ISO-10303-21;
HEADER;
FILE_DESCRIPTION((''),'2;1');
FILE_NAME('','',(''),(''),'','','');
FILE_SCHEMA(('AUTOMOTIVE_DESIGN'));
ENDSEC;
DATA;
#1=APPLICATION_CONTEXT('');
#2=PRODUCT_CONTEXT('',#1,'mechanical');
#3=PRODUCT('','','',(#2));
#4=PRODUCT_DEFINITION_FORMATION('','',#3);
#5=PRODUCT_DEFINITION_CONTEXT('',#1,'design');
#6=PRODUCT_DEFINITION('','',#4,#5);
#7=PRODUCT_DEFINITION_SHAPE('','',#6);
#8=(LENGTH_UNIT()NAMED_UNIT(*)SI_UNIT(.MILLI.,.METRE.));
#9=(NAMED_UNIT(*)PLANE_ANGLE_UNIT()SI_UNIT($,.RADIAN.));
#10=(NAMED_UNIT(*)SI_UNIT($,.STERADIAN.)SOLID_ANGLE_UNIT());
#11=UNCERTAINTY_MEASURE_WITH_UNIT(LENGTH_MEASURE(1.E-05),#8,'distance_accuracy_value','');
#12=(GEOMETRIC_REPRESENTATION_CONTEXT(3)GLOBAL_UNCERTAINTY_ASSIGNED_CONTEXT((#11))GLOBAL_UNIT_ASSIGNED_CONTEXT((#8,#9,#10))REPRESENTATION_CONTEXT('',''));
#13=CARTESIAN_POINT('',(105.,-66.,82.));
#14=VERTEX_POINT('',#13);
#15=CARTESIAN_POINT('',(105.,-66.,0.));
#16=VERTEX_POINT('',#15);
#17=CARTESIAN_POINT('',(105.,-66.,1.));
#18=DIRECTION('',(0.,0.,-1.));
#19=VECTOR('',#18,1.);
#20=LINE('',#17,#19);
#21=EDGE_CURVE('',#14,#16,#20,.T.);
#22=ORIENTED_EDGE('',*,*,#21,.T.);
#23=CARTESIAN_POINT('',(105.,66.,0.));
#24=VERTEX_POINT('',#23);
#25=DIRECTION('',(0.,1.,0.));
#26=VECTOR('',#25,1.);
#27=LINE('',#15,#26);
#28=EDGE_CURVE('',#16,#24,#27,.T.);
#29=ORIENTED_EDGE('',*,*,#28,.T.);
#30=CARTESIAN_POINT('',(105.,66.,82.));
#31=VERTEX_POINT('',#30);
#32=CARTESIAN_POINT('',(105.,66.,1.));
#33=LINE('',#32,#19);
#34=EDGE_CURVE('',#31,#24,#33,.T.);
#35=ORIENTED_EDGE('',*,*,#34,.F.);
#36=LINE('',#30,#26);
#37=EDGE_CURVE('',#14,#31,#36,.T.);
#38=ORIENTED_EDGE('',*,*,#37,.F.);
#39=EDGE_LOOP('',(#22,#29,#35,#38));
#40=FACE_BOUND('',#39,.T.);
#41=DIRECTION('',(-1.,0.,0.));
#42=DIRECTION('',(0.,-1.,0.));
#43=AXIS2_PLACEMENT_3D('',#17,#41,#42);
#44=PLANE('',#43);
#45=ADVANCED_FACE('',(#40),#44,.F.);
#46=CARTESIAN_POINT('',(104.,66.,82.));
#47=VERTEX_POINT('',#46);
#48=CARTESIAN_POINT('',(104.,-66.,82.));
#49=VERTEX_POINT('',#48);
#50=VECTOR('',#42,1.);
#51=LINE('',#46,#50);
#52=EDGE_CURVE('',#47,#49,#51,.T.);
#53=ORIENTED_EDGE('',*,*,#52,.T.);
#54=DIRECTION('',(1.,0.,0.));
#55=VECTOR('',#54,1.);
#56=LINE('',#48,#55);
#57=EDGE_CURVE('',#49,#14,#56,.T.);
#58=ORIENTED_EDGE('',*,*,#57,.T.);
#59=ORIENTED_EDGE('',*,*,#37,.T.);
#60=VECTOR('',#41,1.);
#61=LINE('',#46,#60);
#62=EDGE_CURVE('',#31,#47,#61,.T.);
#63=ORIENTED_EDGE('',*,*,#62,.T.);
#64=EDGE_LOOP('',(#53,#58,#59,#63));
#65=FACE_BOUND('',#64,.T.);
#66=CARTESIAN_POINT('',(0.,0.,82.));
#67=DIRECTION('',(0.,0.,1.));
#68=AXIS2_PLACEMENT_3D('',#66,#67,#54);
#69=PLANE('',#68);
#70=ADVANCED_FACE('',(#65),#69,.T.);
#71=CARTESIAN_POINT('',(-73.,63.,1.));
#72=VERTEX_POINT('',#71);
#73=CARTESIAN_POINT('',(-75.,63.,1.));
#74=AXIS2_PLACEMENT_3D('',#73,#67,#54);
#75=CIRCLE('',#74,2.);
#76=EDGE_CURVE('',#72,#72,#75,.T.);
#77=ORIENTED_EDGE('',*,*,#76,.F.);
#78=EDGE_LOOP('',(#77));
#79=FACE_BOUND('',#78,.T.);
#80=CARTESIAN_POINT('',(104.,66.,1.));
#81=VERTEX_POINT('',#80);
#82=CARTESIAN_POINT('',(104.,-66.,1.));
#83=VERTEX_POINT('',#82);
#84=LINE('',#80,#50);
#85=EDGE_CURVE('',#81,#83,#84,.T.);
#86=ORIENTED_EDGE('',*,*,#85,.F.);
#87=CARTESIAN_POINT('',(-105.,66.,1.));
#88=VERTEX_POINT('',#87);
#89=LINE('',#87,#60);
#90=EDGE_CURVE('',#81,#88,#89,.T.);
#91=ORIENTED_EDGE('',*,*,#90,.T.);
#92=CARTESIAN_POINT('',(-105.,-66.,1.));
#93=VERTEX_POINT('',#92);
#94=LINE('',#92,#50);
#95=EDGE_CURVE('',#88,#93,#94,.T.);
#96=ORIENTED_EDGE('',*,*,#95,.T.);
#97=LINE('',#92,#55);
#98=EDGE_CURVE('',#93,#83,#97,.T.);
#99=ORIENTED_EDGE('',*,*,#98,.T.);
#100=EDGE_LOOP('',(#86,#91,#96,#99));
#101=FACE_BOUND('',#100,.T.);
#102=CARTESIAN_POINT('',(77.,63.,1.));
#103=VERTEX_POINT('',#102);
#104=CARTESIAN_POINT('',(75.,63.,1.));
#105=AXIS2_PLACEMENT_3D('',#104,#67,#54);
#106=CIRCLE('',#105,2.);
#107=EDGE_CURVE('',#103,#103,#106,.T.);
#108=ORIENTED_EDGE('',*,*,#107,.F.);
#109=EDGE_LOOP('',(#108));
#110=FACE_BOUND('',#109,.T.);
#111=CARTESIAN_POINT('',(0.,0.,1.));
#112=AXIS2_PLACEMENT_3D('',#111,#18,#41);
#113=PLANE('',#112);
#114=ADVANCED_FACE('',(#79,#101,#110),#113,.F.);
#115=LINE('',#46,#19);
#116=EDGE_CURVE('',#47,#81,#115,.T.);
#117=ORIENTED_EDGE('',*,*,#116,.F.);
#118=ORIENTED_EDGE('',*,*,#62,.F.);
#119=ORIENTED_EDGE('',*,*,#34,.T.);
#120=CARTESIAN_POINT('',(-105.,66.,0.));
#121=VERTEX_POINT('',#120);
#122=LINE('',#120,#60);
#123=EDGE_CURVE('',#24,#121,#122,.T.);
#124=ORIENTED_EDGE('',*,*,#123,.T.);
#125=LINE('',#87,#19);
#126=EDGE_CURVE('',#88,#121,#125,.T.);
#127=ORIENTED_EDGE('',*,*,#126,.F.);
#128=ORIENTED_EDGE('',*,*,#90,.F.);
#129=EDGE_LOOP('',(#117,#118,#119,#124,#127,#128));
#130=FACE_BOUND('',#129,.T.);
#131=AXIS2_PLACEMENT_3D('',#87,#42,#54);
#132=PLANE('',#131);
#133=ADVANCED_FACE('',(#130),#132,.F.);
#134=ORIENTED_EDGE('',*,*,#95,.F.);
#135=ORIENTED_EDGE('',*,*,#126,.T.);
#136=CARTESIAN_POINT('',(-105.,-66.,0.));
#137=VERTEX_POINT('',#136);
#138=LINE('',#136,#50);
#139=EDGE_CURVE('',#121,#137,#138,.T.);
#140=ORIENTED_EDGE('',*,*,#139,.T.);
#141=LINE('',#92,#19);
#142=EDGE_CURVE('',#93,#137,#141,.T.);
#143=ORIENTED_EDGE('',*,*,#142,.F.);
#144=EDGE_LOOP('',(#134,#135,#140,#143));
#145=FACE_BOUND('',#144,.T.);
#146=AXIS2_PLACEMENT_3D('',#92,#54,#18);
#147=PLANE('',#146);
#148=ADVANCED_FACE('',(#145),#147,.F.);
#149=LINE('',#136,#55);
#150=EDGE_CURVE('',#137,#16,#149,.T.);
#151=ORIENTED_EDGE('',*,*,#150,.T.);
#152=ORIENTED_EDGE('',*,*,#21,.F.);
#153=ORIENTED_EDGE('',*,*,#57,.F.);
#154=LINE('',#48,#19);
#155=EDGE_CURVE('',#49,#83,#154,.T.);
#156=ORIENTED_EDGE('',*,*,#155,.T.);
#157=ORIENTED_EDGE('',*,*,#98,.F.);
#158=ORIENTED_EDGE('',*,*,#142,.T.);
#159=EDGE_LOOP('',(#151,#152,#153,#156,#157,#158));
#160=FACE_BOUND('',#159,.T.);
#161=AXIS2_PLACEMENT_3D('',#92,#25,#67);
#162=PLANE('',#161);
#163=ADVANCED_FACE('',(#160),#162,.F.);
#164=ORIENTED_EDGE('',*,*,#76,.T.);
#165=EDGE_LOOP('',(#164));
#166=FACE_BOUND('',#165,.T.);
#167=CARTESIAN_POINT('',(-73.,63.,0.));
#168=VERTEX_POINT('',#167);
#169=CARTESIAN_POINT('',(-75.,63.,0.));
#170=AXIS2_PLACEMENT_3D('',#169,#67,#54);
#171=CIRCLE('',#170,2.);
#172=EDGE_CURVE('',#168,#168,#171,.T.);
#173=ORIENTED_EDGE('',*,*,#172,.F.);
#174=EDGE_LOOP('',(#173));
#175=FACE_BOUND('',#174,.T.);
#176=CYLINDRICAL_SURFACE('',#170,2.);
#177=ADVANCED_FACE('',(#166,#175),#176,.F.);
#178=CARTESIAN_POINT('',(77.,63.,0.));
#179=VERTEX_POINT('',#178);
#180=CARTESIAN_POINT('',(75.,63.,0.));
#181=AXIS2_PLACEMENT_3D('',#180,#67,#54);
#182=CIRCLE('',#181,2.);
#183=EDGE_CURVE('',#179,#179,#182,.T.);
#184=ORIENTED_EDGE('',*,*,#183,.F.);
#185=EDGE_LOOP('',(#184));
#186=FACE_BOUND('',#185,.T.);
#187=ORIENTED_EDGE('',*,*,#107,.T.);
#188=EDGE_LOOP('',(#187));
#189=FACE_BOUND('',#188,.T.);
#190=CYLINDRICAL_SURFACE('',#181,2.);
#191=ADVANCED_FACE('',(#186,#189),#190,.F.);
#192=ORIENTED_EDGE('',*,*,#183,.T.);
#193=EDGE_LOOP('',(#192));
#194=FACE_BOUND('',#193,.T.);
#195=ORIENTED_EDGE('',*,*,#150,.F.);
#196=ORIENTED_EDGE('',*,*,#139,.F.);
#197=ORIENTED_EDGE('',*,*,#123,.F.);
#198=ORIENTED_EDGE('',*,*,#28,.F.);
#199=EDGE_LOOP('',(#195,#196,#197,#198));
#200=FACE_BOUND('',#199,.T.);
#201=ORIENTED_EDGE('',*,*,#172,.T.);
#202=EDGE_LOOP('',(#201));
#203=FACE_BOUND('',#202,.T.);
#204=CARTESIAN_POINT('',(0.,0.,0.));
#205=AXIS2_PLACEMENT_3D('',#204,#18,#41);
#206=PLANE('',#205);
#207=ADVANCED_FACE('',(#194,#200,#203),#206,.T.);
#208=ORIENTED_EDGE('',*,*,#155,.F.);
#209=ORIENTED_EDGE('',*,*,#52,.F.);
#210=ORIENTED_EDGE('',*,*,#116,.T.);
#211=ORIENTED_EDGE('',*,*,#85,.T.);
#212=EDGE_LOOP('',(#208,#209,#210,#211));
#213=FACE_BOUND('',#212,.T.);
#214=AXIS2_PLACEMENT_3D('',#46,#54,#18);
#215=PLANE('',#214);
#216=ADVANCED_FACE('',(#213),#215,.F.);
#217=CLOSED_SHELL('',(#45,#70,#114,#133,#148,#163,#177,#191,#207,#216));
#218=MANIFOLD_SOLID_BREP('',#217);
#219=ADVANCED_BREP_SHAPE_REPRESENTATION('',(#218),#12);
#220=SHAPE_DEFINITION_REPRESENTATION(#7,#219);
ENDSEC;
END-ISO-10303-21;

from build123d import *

# Parameters (mm, degrees)
SKETCH_1_W          = 210
SKETCH_1_H          = 132
EXTRUDE_1_DEPTH     = 1
SKETCH_3_W          = 1
SKETCH_3_H          = 132
EXTRUDE_2_DEPTH     = 81
SKETCH_2_R          = 2
CUT_EXTRUDE_1_DEPTH = 1


with BuildPart() as part:
    # 草图1 → 凸台-拉伸1 (new body)
    with BuildSketch(Plane.XY):
        Rectangle(SKETCH_1_W, SKETCH_1_H)
    extrude(amount=EXTRUDE_1_DEPTH)

    # 草图3 → 凸台-拉伸2 (add)
    with BuildSketch(Plane.XY.offset(1)):
        with Locations((104.5, 0)):
            Rectangle(SKETCH_3_W, SKETCH_3_H)
    extrude(amount=EXTRUDE_2_DEPTH)

    # 草图2 → 切除-拉伸1 (cut)
    with BuildSketch(Plane.XY.offset(1)):
        with Locations((-75, 63)):
            Circle(SKETCH_2_R)
        with Locations((75, 63)):
            Circle(SKETCH_2_R)
    extrude(amount=-CUT_EXTRUDE_1_DEPTH, mode=Mode.SUBTRACT)


solid = part.part
